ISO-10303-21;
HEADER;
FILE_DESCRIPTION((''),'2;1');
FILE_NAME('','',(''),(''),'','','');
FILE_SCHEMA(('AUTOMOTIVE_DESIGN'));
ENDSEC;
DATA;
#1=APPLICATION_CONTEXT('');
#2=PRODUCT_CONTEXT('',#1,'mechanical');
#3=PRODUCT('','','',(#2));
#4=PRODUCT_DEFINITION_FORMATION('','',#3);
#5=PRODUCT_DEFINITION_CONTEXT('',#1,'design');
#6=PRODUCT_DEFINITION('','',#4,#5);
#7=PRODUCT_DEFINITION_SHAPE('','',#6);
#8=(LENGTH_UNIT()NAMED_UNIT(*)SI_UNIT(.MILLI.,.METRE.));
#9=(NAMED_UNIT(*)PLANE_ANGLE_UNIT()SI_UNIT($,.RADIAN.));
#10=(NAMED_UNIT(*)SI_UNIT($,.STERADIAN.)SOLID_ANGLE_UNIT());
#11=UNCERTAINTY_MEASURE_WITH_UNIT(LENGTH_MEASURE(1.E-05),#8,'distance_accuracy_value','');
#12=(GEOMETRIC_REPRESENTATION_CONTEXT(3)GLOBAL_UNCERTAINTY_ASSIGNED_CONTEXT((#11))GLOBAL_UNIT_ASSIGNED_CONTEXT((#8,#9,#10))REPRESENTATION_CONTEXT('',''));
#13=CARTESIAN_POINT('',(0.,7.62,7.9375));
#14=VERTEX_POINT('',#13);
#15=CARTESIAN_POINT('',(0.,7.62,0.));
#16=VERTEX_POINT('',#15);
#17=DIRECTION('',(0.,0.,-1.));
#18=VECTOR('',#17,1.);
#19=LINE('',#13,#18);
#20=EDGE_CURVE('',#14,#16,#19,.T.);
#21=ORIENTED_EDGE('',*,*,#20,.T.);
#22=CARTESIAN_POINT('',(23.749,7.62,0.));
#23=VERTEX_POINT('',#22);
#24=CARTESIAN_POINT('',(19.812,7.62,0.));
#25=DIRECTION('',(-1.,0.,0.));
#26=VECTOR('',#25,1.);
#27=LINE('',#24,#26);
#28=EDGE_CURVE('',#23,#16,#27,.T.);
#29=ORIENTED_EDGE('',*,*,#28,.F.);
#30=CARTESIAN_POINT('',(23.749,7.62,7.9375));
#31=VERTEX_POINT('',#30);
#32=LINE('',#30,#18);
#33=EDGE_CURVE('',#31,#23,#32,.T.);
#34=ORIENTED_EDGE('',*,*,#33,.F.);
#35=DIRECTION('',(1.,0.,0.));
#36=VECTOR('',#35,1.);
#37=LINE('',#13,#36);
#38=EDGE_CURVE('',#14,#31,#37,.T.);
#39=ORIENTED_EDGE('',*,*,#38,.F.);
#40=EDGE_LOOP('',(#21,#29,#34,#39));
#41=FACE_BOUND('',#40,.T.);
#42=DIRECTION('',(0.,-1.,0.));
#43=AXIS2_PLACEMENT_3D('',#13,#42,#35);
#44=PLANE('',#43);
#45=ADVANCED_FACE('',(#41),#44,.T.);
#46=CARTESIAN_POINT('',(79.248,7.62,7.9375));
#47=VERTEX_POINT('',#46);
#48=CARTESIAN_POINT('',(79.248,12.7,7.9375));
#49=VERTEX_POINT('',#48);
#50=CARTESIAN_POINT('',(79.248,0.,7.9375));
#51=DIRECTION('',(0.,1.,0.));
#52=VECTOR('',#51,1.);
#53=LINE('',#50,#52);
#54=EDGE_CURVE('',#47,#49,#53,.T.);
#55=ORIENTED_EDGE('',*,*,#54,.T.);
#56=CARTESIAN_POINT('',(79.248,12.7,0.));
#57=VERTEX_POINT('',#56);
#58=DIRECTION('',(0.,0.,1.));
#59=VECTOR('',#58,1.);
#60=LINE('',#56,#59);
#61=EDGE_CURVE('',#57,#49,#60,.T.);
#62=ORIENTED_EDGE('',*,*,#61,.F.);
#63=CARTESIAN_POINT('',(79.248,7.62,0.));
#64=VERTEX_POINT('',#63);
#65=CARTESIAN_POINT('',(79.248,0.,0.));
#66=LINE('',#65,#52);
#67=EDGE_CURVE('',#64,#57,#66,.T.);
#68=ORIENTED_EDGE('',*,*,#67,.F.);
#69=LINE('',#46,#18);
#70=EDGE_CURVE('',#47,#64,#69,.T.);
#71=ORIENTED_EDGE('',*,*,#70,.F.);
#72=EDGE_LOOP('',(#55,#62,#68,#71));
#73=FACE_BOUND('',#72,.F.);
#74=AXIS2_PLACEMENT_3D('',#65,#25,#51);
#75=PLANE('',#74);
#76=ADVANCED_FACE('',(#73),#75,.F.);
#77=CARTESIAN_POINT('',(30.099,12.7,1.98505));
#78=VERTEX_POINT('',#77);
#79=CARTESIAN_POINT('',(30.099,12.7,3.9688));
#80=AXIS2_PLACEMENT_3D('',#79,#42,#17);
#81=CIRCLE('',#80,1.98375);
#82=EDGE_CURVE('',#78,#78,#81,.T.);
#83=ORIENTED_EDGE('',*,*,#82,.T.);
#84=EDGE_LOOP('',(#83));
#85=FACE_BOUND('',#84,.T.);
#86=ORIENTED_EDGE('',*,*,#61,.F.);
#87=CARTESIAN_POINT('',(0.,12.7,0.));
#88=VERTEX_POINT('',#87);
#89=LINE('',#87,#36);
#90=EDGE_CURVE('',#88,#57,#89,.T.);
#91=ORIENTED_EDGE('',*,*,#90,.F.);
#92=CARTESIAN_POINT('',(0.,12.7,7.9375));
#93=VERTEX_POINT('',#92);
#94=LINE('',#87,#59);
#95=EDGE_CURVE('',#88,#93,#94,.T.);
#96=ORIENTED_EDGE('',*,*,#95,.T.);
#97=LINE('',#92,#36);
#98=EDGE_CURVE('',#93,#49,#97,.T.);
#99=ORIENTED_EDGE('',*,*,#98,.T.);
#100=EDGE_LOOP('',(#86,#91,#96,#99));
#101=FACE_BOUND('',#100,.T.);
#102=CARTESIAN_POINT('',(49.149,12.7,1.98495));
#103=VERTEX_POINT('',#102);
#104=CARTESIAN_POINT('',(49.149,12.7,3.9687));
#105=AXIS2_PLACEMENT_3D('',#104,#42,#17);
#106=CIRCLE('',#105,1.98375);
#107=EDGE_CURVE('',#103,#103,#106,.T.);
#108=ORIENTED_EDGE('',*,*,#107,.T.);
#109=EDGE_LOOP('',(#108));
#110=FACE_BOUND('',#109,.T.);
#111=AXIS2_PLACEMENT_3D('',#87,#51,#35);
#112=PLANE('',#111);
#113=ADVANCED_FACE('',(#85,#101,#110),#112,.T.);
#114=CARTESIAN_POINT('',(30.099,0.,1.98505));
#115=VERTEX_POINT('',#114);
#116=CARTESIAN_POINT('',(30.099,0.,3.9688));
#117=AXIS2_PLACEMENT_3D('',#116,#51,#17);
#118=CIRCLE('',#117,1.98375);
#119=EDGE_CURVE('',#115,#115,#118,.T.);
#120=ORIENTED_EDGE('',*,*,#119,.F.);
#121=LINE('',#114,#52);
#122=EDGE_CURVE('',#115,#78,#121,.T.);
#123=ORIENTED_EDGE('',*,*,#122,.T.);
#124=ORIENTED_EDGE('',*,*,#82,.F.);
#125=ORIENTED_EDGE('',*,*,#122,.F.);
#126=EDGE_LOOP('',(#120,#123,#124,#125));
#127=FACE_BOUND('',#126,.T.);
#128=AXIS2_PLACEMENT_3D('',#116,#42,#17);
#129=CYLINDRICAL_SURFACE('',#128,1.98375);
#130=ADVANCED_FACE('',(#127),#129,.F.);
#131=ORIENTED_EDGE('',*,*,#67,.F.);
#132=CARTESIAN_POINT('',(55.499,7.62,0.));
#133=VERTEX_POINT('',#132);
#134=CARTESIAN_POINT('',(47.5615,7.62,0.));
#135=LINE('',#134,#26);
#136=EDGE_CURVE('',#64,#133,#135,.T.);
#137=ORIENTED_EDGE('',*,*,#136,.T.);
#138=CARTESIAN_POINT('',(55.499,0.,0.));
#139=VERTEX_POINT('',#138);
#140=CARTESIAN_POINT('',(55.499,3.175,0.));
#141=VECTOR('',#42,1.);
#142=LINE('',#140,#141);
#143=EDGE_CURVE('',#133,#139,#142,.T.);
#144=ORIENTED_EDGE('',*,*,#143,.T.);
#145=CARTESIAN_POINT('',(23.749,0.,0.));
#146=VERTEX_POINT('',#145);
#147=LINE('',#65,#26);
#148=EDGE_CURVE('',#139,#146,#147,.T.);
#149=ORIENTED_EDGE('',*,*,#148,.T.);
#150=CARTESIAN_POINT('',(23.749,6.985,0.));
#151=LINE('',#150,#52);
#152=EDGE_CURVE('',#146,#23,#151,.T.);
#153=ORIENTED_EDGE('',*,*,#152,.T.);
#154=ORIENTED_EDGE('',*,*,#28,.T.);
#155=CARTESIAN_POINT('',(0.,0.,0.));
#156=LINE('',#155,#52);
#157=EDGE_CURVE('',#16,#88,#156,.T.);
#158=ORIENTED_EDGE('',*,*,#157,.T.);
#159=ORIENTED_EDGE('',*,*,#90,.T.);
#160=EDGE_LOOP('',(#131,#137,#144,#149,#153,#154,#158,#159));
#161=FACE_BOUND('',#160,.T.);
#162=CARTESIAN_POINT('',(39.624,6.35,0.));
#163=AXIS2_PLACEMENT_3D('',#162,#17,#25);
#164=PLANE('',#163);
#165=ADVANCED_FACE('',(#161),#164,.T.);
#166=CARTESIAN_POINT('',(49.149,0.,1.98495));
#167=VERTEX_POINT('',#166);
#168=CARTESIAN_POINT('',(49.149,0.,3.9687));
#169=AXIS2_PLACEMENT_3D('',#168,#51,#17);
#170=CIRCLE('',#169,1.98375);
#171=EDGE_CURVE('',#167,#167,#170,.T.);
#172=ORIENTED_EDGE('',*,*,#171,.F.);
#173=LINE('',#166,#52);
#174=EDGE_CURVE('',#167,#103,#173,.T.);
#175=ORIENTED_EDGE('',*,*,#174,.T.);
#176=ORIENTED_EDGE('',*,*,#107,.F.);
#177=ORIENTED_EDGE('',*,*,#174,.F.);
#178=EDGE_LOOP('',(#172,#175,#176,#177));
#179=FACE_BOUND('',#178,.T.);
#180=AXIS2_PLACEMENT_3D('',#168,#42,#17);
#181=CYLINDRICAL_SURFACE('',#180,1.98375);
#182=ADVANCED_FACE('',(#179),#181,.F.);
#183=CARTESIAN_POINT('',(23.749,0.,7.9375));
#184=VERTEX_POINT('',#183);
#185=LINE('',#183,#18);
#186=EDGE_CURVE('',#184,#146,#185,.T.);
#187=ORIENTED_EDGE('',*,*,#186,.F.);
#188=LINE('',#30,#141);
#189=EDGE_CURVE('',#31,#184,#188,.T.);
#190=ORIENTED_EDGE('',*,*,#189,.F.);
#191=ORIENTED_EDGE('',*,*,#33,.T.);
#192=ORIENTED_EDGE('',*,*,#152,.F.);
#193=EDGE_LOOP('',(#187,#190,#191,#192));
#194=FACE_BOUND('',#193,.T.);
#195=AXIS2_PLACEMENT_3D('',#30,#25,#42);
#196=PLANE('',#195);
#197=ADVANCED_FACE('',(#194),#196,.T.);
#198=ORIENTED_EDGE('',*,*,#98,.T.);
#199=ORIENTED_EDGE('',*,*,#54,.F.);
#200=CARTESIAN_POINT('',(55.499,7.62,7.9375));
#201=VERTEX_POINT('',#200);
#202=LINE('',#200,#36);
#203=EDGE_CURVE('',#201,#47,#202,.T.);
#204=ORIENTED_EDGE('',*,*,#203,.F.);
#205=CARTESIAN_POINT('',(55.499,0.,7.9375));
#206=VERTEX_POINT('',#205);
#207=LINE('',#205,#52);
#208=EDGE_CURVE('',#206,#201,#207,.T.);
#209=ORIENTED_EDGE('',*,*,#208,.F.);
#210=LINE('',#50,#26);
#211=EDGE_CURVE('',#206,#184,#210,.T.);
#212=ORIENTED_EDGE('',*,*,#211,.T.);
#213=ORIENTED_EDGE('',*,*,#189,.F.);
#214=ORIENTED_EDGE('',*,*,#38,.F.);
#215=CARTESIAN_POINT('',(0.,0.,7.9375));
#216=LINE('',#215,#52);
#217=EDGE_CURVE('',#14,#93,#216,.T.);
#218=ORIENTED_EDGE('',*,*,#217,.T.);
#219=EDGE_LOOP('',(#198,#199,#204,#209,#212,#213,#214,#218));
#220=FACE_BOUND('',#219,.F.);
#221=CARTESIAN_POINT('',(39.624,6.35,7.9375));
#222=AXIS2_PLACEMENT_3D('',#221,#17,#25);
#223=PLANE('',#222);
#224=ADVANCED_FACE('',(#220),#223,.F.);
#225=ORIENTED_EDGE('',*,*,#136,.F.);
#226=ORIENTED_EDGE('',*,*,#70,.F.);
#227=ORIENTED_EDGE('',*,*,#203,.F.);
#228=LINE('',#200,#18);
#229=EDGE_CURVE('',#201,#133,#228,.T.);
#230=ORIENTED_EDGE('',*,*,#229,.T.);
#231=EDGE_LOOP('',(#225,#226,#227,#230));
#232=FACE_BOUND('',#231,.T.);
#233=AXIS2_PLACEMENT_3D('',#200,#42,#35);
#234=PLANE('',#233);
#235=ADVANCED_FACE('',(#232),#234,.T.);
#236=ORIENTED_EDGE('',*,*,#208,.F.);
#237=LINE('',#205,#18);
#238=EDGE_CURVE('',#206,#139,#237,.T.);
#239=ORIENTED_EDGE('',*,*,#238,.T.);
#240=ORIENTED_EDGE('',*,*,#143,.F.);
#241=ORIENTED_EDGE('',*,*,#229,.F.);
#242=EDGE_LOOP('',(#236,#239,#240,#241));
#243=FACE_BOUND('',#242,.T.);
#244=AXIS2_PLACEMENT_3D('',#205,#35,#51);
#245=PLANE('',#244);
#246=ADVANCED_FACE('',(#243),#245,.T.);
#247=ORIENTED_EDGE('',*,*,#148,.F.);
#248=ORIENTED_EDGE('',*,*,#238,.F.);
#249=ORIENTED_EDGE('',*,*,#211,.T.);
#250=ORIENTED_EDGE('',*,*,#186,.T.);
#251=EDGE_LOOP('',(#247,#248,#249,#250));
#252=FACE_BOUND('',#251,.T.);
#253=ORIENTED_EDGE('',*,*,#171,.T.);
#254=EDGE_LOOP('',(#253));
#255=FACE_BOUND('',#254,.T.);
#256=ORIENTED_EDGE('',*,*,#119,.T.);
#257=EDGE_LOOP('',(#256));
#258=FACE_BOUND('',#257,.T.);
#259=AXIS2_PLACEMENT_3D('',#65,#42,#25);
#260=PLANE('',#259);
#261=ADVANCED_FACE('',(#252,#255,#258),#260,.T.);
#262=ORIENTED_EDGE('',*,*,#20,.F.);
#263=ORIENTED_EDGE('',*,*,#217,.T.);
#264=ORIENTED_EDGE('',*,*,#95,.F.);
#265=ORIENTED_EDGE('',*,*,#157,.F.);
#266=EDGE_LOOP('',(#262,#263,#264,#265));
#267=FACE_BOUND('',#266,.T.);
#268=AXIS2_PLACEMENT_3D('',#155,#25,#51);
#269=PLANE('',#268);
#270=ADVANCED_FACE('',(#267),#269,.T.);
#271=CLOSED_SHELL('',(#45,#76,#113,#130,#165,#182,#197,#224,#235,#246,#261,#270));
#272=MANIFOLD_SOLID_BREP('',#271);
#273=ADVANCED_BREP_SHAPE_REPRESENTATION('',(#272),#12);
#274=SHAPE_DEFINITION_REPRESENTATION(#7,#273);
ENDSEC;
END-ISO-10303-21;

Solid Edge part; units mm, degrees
sketch "Sketch1" plane through (0, 0, 0) normal (0, 0, 1) x (1, 0, 0)
  line L0 (0, 0) -> (0, 12.7)
  line L1 (0, 12.7) -> (79.248, 12.7)
  line L2 (79.248, 0) -> (79.248, 12.7)
  line L3 (79.248, 0) -> (0, 0)
  dimension "D1" = 12.7
  dimension "D2" = 79.248
extrude "Protrusion1" add sketch "Sketch1" along normal blind 7.9375
sketch "Sketch2" plane through (39.624, 6.35, 7.9375) normal (0, 0, 1) x (1, 0, 0)
  line L0 (-39.624, 1.27) -> (-15.875, 1.27)
  line L1 (-15.875, 1.27) -> (-15.875, -6.35)
  line L2 (-15.875, -6.35) -> (-39.624, -6.35)
  line L3 (-39.624, -6.35) -> (-39.624, 1.27)
  line L4 (15.875, -6.35) -> (15.875, 1.27)
  line L5 (15.875, 1.27) -> (39.624, 1.27)
  line L6 (39.624, 1.27) -> (39.624, -6.35)
  line L7 (39.624, -6.35) -> (15.875, -6.35)
  dimension "D1" = 7.62
  dimension "D2" = 7.62
  dimension "D3" = 15.875
  dimension "D4" = 15.875
extrude "Cutout1" cut sketch "Sketch2" against normal through all
hole "Hole_1" at (49.149, 0, 3.9687) direction (0, 1, 0) diameter 3.9675 end up to next
hole "Hole1" at (30.099, 0, 3.9688) direction (0, 1, 0) diameter 3.9675 end up to next
properties material "Aluminum, 6061-T6"
